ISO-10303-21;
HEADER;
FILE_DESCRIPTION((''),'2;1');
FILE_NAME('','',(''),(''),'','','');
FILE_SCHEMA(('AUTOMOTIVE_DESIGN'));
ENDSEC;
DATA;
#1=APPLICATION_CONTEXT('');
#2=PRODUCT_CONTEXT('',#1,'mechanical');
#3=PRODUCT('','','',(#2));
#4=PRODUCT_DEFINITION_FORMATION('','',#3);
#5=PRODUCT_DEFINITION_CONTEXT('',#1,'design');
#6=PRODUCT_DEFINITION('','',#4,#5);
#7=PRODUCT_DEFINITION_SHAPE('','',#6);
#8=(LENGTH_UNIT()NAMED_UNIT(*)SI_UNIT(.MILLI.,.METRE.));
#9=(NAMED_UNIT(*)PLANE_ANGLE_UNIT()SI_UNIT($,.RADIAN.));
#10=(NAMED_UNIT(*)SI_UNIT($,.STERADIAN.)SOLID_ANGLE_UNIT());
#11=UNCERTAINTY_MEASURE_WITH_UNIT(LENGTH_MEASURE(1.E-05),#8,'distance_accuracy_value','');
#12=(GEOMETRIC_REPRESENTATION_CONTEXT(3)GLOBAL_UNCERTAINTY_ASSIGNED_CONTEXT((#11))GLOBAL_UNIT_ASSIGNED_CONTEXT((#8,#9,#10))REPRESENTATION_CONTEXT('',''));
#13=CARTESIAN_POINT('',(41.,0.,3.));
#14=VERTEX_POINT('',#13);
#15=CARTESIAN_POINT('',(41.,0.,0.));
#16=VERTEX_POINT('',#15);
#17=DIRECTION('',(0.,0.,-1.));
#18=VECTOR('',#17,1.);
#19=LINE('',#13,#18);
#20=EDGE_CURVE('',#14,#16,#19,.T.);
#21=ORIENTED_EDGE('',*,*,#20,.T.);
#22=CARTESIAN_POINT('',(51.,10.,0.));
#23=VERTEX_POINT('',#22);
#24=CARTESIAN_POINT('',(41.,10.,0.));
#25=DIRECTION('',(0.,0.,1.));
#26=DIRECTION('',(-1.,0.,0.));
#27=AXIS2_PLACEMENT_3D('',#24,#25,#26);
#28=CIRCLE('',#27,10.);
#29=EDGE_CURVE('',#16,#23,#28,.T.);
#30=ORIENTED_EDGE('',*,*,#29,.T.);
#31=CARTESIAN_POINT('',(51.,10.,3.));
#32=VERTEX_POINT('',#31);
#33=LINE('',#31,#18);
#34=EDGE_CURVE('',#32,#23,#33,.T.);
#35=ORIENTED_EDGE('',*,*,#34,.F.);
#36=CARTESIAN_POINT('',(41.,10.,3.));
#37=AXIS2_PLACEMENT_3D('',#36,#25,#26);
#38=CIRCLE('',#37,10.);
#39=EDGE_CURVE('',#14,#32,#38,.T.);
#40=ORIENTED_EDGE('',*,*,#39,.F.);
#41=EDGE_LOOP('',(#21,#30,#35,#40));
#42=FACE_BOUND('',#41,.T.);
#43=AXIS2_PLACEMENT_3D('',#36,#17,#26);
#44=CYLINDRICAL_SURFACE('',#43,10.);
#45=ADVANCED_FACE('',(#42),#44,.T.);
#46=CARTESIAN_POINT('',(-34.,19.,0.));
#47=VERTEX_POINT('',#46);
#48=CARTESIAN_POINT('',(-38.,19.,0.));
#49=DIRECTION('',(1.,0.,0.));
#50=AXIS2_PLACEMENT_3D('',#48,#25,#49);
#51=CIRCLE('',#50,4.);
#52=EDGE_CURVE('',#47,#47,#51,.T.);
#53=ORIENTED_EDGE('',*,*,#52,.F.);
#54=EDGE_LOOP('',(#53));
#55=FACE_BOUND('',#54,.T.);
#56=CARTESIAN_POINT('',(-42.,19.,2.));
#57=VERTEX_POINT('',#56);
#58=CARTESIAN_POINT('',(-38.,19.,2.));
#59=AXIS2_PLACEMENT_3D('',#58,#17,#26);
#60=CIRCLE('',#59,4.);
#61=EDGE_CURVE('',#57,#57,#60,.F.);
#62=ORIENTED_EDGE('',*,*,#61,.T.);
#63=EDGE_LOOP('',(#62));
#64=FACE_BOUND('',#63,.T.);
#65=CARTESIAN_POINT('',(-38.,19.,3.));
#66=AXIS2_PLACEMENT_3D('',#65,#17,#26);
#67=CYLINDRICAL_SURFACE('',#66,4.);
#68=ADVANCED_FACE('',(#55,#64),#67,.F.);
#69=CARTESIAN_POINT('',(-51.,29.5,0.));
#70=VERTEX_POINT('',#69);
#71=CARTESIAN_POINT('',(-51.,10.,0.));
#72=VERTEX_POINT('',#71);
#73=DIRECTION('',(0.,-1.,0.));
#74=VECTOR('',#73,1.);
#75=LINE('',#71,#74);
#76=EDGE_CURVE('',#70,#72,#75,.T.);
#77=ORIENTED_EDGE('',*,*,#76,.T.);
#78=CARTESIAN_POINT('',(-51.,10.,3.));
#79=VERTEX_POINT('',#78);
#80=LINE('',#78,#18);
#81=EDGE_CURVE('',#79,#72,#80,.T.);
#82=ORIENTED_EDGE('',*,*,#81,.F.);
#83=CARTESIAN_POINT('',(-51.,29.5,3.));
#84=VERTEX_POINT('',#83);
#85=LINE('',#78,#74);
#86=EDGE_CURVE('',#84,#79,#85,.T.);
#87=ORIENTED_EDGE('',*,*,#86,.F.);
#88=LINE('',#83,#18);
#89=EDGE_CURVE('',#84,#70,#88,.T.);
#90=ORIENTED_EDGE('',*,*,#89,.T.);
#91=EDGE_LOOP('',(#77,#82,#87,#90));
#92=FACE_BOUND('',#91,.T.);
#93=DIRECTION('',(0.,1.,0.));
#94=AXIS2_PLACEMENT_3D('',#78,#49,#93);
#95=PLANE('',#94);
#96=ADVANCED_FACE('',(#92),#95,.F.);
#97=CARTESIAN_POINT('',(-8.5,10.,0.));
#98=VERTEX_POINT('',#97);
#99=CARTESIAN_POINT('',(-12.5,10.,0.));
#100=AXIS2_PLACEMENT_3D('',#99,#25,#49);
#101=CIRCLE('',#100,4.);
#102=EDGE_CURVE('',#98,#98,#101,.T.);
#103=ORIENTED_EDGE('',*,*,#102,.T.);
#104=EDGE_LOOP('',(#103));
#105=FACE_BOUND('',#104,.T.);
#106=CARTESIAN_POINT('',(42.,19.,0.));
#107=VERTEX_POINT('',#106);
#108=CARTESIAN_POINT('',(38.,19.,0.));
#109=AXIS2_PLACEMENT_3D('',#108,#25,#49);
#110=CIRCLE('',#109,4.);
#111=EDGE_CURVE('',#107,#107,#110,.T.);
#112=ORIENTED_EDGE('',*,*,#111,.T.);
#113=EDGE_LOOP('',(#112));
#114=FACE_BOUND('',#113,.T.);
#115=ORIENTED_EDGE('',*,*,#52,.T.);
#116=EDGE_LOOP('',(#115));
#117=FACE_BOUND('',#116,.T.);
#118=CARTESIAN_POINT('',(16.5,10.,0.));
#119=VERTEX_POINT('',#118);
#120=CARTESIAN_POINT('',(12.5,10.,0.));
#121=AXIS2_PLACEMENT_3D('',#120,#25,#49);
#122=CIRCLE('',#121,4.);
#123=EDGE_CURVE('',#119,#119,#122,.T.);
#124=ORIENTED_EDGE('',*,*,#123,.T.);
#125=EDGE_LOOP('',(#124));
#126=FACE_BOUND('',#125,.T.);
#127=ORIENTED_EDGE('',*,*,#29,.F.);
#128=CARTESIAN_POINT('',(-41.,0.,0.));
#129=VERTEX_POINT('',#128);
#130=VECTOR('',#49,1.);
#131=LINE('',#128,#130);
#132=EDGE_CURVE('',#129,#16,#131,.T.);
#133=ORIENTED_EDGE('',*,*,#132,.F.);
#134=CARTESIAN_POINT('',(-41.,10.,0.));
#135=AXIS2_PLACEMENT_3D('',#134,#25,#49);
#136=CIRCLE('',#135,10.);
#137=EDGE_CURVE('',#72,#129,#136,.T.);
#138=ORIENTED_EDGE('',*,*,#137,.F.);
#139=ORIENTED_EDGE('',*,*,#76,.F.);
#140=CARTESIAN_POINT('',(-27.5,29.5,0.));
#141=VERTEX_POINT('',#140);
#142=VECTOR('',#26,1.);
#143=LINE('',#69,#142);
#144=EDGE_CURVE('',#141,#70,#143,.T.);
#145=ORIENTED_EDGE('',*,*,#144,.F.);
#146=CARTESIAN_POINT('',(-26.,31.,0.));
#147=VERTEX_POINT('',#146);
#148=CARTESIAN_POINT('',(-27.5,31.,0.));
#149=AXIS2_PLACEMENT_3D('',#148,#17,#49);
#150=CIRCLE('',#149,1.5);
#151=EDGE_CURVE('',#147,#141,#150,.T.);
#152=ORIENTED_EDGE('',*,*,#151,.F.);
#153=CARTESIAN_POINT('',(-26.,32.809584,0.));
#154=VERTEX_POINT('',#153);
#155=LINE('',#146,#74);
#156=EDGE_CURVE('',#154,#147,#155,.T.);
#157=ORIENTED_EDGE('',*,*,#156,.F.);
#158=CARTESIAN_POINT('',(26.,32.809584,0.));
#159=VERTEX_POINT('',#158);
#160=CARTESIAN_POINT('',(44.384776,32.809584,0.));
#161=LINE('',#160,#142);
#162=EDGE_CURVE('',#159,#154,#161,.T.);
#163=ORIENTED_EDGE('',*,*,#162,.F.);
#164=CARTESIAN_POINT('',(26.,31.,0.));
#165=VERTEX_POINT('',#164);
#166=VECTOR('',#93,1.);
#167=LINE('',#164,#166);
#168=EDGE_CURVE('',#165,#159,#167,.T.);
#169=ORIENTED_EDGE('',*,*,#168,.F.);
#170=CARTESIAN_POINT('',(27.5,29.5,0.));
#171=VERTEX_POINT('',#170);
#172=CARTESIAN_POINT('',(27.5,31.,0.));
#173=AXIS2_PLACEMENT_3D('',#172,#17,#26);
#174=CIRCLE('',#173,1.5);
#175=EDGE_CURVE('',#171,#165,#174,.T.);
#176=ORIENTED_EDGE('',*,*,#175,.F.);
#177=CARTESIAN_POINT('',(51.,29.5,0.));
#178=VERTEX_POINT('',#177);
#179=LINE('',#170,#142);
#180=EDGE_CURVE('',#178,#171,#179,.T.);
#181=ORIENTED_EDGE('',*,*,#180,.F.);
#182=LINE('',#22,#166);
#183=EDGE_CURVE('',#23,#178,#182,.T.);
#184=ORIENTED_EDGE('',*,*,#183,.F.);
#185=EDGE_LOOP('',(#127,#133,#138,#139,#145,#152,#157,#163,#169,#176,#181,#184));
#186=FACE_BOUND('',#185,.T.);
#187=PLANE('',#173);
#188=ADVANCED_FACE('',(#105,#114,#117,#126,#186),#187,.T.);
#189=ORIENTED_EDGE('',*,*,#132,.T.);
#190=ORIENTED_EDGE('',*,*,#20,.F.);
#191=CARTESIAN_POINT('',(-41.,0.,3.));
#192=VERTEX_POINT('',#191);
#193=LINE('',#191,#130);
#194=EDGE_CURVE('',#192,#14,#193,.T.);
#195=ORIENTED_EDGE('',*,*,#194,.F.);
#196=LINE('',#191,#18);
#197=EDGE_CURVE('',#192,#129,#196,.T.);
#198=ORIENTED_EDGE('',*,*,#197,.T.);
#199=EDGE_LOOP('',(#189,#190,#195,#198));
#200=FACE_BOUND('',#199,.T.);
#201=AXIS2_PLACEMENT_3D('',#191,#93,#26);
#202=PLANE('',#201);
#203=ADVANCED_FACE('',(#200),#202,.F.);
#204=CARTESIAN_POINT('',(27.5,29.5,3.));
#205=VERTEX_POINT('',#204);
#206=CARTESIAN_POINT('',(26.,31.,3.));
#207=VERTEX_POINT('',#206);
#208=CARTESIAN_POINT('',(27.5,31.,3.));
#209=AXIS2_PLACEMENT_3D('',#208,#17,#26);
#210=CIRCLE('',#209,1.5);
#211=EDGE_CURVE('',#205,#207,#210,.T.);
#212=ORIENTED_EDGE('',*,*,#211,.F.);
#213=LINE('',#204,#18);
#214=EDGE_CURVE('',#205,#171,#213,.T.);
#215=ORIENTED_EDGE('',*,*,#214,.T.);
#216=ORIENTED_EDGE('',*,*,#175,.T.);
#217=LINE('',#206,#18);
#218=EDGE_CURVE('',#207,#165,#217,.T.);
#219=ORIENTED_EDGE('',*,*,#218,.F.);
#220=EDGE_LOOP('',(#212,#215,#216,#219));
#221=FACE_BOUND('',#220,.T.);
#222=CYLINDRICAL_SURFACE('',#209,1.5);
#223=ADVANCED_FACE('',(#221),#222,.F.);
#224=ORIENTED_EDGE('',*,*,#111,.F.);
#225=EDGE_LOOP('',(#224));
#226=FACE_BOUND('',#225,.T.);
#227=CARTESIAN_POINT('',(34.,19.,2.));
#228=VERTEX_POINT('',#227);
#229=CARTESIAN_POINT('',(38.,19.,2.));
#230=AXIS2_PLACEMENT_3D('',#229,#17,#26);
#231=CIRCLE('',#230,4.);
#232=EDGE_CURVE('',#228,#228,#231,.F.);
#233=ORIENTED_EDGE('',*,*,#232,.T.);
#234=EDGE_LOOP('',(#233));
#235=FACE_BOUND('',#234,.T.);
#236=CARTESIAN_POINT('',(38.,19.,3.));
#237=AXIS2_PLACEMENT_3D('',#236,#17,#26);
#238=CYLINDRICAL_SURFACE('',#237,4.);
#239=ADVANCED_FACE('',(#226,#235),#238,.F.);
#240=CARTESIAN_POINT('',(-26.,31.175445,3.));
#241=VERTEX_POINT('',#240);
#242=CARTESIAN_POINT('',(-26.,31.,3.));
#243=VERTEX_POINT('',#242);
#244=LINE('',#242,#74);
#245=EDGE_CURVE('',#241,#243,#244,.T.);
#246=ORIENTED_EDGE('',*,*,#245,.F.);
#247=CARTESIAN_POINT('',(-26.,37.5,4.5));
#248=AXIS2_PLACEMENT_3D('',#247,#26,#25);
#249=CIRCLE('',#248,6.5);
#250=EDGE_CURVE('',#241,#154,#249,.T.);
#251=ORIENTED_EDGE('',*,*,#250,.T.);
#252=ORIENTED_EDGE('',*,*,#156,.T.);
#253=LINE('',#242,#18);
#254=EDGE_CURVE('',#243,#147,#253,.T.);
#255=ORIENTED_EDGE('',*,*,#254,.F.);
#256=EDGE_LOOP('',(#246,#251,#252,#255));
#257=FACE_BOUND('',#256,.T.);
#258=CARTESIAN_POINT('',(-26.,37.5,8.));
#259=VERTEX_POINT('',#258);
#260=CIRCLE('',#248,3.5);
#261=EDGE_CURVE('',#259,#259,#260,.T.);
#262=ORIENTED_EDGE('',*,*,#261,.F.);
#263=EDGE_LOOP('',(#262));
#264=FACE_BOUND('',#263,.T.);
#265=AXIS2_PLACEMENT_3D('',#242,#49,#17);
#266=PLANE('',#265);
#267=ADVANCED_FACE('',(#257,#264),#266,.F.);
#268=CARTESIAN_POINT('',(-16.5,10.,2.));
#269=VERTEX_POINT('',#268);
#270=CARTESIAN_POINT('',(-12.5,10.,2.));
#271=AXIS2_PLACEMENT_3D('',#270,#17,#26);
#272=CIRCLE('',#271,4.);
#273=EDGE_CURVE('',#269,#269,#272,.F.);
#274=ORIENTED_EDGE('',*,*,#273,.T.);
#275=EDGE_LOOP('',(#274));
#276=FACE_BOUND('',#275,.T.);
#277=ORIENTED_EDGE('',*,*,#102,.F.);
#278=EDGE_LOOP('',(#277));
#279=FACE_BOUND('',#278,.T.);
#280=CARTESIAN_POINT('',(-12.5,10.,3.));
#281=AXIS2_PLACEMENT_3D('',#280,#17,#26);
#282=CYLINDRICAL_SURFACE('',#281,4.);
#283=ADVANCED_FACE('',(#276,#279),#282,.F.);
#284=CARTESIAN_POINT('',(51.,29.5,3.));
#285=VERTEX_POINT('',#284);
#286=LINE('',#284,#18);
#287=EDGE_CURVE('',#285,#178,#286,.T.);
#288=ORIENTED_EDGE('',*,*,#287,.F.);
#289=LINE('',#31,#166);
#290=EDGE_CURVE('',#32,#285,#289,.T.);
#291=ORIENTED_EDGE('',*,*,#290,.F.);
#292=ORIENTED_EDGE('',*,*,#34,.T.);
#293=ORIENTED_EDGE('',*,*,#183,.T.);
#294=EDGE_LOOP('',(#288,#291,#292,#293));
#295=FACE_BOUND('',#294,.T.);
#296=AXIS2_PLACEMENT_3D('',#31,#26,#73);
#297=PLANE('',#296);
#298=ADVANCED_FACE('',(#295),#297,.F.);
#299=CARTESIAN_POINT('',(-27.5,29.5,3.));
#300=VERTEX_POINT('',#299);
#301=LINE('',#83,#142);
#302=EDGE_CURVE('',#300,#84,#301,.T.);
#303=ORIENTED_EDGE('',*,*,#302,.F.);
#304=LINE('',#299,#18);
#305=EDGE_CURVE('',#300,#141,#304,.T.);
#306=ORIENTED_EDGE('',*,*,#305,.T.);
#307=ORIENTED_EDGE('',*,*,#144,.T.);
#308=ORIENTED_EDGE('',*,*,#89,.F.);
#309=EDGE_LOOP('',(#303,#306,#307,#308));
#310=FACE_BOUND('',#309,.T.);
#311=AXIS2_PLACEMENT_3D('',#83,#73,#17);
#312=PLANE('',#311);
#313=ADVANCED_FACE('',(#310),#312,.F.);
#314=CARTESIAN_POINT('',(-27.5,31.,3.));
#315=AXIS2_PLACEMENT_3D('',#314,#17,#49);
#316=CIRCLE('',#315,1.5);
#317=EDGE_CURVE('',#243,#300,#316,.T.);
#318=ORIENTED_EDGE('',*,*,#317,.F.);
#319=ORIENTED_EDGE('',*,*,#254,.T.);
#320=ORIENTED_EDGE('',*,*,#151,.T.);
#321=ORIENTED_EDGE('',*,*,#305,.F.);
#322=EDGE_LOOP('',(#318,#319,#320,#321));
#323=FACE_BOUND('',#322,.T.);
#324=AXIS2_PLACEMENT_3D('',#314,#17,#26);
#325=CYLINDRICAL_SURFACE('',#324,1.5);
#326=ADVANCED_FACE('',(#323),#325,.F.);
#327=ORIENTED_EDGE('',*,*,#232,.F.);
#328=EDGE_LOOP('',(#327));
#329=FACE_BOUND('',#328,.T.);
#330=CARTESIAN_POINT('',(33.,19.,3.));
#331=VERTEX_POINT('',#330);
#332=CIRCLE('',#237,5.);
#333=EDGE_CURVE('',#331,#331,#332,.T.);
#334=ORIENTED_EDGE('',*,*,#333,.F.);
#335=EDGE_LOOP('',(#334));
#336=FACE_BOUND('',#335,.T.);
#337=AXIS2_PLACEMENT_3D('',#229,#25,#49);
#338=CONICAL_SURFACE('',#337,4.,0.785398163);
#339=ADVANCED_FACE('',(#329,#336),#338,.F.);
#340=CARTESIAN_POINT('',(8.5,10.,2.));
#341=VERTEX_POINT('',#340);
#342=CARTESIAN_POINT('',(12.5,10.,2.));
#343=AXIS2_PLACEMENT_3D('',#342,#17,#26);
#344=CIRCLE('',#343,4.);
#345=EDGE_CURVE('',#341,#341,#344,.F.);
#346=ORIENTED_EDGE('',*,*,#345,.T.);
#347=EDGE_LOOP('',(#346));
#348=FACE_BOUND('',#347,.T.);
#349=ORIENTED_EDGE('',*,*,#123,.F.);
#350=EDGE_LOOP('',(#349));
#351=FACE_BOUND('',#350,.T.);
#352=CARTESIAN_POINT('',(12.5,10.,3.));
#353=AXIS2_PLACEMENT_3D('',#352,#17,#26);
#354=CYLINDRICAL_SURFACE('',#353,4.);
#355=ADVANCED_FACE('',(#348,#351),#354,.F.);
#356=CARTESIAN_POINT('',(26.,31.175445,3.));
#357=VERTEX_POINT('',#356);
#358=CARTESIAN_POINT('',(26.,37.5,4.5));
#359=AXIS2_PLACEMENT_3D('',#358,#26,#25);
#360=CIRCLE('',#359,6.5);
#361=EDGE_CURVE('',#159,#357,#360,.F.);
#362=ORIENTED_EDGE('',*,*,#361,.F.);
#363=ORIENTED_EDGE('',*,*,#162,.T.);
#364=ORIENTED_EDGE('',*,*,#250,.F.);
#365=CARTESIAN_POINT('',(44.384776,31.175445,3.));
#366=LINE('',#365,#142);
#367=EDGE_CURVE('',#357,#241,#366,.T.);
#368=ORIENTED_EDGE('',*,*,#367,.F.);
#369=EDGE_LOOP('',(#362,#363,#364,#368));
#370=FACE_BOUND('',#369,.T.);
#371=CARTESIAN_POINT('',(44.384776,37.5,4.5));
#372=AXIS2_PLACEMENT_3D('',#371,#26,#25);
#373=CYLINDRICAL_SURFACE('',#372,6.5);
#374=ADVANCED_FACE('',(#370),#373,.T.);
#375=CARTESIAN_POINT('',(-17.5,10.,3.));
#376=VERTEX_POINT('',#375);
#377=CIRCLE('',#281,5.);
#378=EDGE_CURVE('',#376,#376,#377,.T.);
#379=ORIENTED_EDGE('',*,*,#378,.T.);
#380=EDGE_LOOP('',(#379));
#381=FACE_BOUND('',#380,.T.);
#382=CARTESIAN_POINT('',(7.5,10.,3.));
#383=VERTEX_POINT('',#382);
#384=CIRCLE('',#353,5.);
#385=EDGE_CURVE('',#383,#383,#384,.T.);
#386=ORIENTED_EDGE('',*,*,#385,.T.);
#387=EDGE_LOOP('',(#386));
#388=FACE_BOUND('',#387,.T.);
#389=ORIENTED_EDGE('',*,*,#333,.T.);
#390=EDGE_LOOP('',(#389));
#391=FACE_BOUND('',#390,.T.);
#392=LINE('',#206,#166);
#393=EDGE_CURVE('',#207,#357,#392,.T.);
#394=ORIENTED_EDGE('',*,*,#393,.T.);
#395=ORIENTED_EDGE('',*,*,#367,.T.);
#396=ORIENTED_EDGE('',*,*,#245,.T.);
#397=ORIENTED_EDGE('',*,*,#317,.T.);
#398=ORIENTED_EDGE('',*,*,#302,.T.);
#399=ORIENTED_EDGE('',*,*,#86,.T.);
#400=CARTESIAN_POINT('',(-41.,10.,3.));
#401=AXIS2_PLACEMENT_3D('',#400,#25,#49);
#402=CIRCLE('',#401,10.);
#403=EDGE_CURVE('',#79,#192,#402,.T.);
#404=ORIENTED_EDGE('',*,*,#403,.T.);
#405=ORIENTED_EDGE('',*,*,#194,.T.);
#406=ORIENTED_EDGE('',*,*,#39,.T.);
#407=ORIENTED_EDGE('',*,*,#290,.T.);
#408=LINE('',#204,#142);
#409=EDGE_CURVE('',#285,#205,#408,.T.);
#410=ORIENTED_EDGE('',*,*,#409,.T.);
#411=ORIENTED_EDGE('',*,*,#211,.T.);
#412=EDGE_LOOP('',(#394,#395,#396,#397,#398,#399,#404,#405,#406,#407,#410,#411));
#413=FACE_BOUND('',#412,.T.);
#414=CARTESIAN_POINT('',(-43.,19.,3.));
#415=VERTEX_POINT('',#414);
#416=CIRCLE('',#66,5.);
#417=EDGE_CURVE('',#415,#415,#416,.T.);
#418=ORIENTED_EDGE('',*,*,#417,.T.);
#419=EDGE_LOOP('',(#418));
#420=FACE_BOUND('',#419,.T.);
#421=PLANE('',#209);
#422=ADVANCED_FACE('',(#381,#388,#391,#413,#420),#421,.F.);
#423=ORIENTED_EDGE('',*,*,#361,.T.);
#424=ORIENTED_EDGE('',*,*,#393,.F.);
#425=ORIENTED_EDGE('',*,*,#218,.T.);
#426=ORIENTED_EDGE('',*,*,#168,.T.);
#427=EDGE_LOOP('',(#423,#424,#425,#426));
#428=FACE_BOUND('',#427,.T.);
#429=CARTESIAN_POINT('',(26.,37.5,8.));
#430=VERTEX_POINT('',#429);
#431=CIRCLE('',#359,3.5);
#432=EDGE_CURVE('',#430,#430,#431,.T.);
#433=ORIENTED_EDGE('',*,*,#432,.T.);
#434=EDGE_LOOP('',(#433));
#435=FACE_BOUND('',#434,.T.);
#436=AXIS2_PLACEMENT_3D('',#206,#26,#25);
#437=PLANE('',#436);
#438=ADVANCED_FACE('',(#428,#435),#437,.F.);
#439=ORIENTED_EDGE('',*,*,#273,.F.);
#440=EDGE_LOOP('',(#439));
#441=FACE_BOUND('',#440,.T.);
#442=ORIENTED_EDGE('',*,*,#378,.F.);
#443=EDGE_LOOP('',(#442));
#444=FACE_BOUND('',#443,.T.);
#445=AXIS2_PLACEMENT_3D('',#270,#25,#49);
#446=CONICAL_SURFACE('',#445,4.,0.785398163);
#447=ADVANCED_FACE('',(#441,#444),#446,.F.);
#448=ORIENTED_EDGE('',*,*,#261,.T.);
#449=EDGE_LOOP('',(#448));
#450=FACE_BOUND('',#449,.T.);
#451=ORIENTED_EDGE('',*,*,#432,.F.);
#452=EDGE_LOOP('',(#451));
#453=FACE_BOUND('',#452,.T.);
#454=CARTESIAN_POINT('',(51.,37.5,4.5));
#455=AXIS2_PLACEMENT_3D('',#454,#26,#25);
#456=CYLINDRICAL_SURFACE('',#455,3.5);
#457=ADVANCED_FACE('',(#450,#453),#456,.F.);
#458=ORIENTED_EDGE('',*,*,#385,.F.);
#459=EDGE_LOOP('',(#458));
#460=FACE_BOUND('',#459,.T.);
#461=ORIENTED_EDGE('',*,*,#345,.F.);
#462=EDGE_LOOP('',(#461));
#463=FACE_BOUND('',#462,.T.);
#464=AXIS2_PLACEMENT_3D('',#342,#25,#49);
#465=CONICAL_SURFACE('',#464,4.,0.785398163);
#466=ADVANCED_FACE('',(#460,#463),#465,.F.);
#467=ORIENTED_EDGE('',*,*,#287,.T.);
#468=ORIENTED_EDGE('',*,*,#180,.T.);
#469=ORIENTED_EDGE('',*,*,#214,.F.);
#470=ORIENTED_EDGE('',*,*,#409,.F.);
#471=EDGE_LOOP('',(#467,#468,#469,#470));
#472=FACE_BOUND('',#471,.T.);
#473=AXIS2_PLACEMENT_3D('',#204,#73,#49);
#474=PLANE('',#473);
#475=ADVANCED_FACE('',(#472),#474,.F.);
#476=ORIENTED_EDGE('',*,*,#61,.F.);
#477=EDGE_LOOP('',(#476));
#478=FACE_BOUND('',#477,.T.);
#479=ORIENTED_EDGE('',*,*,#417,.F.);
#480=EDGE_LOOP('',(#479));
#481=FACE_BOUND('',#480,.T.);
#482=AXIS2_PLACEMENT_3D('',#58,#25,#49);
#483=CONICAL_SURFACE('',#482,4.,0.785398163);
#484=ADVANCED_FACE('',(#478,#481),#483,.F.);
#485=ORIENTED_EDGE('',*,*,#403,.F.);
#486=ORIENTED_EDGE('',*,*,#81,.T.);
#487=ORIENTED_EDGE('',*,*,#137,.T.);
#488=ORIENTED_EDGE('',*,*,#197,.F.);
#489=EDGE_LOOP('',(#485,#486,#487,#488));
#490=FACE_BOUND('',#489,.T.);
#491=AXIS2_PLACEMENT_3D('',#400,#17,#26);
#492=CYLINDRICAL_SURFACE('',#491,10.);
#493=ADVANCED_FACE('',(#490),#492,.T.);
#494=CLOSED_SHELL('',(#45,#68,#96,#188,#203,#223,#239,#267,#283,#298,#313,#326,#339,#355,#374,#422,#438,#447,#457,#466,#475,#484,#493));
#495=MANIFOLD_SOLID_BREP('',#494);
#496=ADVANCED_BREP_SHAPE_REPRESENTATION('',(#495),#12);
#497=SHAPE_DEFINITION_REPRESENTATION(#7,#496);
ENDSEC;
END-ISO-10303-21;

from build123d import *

# Parameters (mm, degrees)
SKETCH1_R           = 4
BOSS_EXTRUDE1_DEPTH = 3
SKETCH2_R           = 6.5
BOSS_EXTRUDE2_DEPTH = 52
SKETCH3_R           = 3.5
CUT_EXTRUDE1_DEPTH  = 90.364422451
CHAMFER1_SIZE       = 1


with BuildPart() as part:
    # Sketch1 → Boss-Extrude1 (new body)
    with BuildSketch(Plane.XY):
        with BuildLine():
            Line((27.5, 29.5), (51, 29.5))
            Line((51, 29.5), (51, 10))
            ThreePointArc((51, 10), (48.071067812, 2.928932188), (41, 0))
            Line((41, 0), (-41, 0))
            ThreePointArc((-41, 0), (-48.071067812, 2.928932188), (-51, 10))
            Line((-51, 10), (-51, 29.5))
            Line((-51, 29.5), (-27.5, 29.5))
            ThreePointArc((-27.5, 29.5), (-26.439339828, 29.939339828), (-26, 31))
            Line((-26, 31), (-26, 37.5))
            Line((-26, 37.5), (26, 37.5))
            Line((26, 37.5), (26, 31))
            ThreePointArc((26, 31), (26.439339828, 29.939339828), (27.5, 29.5))
        make_face()
        with Locations((-38, 19)):
            Circle(SKETCH1_R, mode=Mode.SUBTRACT)
        with Locations((38, 19)):
            Circle(SKETCH1_R, mode=Mode.SUBTRACT)
        with Locations((-12.5, 10)):
            Circle(SKETCH1_R, mode=Mode.SUBTRACT)
        with Locations((12.5, 10)):
            Circle(SKETCH1_R, mode=Mode.SUBTRACT)
    extrude(amount=BOSS_EXTRUDE1_DEPTH)

    # Sketch2 → Boss-Extrude2 (add)
    with BuildSketch(Plane.ZY.offset(26)):
        with Locations((4.5, 37.5)):
            Circle(SKETCH2_R)
    extrude(amount=-BOSS_EXTRUDE2_DEPTH)

    # Sketch3 → Cut-Extrude1 (cut, through all)
    with BuildSketch(Plane.ZY.offset(26)):
        with Locations((4.5, 37.5)):
            Circle(SKETCH3_R)
    extrude(amount=-CUT_EXTRUDE1_DEPTH, mode=Mode.SUBTRACT)

    # Chamfer1
    chamfer1_edges = [part.edges().sort_by_distance(p)[0] for p in [
        (-42, 19, 3),
        (34, 19, 3),
        (-16.5, 10, 3),
        (8.5, 10, 3),
    ]]
    chamfer(chamfer1_edges, length=CHAMFER1_SIZE)


solid = part.part
